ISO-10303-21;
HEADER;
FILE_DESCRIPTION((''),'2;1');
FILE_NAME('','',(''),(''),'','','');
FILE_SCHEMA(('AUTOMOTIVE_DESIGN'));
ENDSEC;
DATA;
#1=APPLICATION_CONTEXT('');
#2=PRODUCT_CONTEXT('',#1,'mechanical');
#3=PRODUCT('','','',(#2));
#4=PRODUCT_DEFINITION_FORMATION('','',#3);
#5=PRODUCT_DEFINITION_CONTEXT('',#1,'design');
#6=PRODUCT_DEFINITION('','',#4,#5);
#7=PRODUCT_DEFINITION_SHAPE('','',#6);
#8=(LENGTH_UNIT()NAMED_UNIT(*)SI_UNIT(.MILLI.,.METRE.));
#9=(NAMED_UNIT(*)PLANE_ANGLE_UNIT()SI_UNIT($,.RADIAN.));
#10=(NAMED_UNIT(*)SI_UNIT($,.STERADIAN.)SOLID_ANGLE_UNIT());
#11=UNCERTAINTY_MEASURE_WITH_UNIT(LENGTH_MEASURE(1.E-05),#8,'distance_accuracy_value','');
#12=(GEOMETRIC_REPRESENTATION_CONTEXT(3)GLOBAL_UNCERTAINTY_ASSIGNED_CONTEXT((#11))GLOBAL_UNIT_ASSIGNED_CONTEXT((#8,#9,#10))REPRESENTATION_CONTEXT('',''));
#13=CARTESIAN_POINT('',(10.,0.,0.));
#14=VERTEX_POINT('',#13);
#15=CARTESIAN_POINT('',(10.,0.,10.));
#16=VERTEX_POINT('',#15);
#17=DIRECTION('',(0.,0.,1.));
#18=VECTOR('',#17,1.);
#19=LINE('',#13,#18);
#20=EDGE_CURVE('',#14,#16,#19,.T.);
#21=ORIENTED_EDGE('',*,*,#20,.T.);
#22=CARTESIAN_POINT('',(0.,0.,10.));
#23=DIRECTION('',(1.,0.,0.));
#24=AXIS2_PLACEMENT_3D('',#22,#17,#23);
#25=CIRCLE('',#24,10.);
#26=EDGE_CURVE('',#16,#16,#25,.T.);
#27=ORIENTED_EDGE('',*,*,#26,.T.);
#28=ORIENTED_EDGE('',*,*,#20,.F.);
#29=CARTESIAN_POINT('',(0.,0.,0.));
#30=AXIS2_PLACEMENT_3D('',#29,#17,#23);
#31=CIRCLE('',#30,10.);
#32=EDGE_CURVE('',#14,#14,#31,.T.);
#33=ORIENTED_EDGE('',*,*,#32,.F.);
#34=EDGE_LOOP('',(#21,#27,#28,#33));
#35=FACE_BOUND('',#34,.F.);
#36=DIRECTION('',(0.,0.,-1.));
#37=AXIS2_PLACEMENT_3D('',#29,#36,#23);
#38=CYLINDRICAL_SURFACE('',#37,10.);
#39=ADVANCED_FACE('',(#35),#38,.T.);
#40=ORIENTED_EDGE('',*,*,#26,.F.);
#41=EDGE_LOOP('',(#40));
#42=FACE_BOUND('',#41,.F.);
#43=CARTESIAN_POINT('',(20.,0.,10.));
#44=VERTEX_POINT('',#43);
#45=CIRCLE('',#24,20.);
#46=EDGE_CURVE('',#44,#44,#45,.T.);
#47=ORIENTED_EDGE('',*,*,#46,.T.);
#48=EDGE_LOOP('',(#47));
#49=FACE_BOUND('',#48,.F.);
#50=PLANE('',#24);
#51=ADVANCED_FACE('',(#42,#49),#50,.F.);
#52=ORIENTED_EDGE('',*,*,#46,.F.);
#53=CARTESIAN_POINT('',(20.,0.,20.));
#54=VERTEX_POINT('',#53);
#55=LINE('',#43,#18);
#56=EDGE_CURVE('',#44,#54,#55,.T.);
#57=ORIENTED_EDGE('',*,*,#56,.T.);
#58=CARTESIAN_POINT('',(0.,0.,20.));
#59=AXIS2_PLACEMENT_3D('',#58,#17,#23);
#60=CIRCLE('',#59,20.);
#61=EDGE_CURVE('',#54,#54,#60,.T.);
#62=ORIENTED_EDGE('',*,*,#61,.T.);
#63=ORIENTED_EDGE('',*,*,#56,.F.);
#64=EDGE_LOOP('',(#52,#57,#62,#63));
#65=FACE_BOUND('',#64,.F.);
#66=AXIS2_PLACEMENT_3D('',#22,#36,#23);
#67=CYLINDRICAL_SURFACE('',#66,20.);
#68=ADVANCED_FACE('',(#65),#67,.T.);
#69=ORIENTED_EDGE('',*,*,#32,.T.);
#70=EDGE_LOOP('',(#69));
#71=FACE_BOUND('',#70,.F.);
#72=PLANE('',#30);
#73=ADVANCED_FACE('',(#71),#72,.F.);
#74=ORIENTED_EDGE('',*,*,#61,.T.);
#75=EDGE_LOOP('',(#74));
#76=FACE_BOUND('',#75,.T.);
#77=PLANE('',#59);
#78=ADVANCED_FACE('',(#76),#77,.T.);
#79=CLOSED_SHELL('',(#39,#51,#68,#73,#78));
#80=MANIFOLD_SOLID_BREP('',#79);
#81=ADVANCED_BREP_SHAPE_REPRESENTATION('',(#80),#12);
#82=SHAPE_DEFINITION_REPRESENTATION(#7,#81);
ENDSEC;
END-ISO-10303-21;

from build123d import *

# Parameters (mm, degrees)
F0_R     = 10
F1_DEPTH = 10
F2_R     = 20
F2_R_2   = 10
F3_DEPTH = 10


with BuildPart() as f1:
    # F0 (on Top) → F1 (new body)
    with BuildSketch(Plane.XY):
        Circle(F0_R)
    extrude(amount=F1_DEPTH)

    # F2 (on face) → F3 (join)
    with BuildSketch(Plane.XY.offset(10)):
        Circle(F2_R)
        Circle(F2_R_2, mode=Mode.SUBTRACT)
        Circle(F2_R_2)
    extrude(amount=F3_DEPTH)


solid = f1.part
